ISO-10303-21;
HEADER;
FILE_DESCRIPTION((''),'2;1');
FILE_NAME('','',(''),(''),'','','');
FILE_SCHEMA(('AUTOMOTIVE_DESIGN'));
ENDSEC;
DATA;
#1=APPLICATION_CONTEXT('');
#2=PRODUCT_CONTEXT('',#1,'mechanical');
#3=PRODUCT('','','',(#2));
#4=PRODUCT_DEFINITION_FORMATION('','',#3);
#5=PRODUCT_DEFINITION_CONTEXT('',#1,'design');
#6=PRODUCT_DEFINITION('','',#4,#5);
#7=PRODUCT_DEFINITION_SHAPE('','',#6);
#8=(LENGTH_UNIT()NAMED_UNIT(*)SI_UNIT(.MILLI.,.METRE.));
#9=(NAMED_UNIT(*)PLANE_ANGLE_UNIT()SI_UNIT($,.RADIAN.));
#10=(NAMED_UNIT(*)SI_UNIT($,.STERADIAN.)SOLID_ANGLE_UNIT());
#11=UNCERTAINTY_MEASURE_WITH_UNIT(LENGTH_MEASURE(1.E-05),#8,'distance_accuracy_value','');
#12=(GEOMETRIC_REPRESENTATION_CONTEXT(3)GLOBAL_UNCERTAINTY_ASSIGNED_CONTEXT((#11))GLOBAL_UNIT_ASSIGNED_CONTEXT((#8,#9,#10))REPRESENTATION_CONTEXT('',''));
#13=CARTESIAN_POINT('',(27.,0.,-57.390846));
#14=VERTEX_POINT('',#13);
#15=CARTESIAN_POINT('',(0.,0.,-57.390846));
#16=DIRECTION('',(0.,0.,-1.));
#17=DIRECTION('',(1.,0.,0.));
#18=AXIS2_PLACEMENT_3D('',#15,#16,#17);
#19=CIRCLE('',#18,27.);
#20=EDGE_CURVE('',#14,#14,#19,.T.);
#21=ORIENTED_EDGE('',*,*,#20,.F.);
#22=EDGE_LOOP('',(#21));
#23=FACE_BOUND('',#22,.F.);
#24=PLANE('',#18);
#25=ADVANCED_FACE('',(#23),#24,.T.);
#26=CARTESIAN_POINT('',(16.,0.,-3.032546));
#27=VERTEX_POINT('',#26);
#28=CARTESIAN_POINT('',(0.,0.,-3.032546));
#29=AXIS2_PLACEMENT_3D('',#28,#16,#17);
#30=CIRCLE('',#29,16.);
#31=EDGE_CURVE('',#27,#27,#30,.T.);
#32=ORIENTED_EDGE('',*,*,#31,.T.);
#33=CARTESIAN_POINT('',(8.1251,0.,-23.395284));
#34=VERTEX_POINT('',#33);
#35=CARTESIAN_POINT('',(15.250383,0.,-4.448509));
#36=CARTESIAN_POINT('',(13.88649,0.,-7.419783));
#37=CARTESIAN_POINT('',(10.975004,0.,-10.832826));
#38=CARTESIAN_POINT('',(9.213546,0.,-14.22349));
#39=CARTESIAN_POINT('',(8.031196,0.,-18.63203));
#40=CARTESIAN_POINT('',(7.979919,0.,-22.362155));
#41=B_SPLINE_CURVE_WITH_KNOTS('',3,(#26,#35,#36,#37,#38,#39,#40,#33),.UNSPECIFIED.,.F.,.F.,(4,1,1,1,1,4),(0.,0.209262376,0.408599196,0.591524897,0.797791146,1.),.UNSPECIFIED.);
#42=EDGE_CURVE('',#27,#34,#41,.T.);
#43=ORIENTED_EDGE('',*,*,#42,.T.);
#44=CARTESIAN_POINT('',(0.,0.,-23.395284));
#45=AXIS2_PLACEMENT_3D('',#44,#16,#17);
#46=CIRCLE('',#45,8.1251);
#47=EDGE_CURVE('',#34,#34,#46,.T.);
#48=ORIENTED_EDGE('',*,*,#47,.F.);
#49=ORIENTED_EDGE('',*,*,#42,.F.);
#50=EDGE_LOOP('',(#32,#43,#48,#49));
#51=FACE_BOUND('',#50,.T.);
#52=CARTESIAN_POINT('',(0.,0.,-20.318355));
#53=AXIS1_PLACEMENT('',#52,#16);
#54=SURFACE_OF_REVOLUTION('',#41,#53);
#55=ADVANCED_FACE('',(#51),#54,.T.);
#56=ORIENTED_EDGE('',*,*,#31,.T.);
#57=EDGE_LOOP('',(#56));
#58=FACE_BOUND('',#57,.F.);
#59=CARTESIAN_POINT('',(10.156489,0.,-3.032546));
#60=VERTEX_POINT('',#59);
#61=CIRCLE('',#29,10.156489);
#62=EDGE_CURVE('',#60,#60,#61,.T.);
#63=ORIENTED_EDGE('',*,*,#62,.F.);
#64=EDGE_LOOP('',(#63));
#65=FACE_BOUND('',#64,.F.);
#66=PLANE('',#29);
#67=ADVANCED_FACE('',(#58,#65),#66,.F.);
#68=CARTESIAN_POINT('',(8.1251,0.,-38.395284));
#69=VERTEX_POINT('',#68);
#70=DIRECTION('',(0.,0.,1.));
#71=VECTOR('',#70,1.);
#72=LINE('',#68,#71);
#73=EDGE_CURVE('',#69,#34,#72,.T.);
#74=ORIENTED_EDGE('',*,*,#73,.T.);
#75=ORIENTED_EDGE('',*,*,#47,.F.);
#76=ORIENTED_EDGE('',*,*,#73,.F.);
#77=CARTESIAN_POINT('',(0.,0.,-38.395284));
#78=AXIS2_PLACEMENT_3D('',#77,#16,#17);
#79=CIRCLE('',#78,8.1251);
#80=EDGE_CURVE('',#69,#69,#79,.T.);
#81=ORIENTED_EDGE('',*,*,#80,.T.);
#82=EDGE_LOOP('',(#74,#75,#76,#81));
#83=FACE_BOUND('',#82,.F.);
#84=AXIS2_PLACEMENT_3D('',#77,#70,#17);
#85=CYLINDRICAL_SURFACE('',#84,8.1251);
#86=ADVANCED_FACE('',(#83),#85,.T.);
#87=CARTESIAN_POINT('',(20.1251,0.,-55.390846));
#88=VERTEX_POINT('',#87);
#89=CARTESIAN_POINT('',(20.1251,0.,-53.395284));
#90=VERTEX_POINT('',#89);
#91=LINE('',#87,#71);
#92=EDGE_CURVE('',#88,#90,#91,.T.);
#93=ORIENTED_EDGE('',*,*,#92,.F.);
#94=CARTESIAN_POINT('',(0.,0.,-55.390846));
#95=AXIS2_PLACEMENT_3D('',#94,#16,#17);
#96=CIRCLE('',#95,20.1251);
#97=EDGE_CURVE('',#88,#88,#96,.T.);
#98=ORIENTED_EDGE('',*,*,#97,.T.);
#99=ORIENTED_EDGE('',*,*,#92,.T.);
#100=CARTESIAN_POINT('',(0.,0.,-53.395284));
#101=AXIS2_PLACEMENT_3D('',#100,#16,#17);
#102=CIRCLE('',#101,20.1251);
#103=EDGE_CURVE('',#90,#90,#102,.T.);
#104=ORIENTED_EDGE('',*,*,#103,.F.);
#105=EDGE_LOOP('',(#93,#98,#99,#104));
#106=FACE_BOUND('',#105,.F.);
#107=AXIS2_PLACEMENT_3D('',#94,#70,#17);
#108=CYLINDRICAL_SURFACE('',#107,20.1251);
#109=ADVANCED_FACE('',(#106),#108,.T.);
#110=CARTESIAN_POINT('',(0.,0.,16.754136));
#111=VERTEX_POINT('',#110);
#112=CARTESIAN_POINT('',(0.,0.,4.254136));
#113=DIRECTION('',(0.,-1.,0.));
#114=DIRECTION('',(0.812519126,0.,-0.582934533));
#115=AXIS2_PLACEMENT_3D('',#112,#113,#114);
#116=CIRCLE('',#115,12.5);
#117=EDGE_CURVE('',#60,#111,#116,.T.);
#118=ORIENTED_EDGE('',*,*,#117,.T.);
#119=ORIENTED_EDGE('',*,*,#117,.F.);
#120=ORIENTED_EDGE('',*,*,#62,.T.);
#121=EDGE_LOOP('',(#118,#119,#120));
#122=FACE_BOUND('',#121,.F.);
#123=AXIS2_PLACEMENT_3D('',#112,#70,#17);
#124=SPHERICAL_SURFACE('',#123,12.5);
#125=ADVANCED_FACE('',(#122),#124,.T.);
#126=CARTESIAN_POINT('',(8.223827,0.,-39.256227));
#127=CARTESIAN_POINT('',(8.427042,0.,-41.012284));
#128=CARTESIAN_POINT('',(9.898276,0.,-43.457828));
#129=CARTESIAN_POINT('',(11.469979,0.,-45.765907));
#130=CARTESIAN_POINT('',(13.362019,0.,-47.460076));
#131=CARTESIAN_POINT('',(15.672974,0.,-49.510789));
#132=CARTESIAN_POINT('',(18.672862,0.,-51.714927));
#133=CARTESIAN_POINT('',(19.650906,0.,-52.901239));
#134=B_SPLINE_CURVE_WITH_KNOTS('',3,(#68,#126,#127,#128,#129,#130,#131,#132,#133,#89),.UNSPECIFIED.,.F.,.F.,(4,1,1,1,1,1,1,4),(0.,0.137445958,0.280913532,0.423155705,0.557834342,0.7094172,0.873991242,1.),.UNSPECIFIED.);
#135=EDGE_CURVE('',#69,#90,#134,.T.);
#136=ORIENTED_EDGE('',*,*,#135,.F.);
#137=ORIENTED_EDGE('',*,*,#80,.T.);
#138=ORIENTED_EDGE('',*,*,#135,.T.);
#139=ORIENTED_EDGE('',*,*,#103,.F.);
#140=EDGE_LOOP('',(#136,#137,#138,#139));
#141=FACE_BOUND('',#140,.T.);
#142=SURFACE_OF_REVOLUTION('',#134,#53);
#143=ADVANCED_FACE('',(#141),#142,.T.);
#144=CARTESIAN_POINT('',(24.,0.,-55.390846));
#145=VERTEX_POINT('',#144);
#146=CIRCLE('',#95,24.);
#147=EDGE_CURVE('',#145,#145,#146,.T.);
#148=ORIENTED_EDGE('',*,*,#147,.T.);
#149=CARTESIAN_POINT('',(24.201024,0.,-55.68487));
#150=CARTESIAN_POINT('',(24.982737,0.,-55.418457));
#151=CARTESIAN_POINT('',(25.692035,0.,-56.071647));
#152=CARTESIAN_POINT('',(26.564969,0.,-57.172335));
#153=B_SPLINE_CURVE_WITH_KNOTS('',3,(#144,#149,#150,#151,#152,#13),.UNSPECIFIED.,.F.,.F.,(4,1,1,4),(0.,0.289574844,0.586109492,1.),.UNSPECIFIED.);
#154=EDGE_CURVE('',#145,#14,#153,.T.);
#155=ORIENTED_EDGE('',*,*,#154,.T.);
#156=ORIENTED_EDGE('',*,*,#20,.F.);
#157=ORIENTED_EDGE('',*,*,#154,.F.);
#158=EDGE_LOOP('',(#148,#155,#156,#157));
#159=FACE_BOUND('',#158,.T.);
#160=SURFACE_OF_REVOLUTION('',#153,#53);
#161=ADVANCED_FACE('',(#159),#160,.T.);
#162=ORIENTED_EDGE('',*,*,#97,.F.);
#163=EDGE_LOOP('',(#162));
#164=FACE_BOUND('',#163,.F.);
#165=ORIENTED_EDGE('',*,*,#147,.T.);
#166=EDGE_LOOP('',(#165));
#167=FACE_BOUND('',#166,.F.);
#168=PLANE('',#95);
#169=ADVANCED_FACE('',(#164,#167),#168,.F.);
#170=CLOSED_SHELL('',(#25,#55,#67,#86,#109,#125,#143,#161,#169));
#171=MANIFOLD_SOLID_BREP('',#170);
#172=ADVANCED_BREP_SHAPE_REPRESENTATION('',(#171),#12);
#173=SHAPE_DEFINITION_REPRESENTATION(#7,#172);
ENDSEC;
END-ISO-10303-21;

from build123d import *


with BuildPart() as f1:
    # F0 (on Front) → F1 (revolve)
    with BuildSketch(Plane.XZ):
        with BuildLine():
            Line((16, -3.0325458964), (10.156489074, -3.0325458964))
            ThreePointArc((10.156489074, -3.0325458964), (11.1205557598, 9.9623088209), (0, 16.7541357689))
            Line((0, 16.7541357689), (0, -57.3908457809))
            Line((0, -57.3908457809), (27, -57.3908457809))
            add(Edge.make_bspline(
                [(24, -55.3908457809), (24.2010240138, -55.6848697047), (24.9827368456, -55.418456841), (25.6920348647, -56.071646948), (26.5649689108, -57.1723348375), (27, -57.3908457809)],
                knots=[0, 0, 0, 0, 0.2895748436, 0.5861094922, 1, 1, 1, 1], degree=3))
            Line((24, -55.3908457809), (20.1250999048, -55.3908457809))
            Line((20.1250999048, -55.3908457809), (20.1250999048, -53.3952837876))
            add(Edge.make_bspline(
                [(8.1250999048, -38.3952837876), (8.2238268601, -39.256226922), (8.4270422726, -41.0122837603), (9.8982762171, -43.4578276996), (11.4699785181, -45.7659074202), (13.3620185574, -47.4600763108), (15.6729740321, -49.5107890058), (18.6728624517, -51.7149272684), (19.6509058696, -52.9012393598), (20.1250999048, -53.3952837876)],
                knots=[0, 0, 0, 0, 0.1374459581, 0.2809135322, 0.423155705, 0.557834342, 0.7094171995, 0.8739912416, 1, 1, 1, 1], degree=3))
            Line((8.1250999048, -38.3952837876), (8.1250999048, -23.3952837876))
            add(Edge.make_bspline(
                [(16, -3.0325458964), (15.2503831973, -4.4485089359), (13.8864897698, -7.4197825639), (10.9750037451, -10.8328260195), (9.2135463922, -14.223490226), (8.0311958908, -18.6320295706), (7.9799188419, -22.3621549734), (8.1250999048, -23.3952837876)],
                knots=[0, 0, 0, 0, 0.209262376, 0.4085991961, 0.5915248966, 0.7977911457, 1, 1, 1, 1], degree=3))
        make_face()
    revolve(axis=Axis((0, 0, -20.318355006), (0, 0, -1)))


solid = f1.part
